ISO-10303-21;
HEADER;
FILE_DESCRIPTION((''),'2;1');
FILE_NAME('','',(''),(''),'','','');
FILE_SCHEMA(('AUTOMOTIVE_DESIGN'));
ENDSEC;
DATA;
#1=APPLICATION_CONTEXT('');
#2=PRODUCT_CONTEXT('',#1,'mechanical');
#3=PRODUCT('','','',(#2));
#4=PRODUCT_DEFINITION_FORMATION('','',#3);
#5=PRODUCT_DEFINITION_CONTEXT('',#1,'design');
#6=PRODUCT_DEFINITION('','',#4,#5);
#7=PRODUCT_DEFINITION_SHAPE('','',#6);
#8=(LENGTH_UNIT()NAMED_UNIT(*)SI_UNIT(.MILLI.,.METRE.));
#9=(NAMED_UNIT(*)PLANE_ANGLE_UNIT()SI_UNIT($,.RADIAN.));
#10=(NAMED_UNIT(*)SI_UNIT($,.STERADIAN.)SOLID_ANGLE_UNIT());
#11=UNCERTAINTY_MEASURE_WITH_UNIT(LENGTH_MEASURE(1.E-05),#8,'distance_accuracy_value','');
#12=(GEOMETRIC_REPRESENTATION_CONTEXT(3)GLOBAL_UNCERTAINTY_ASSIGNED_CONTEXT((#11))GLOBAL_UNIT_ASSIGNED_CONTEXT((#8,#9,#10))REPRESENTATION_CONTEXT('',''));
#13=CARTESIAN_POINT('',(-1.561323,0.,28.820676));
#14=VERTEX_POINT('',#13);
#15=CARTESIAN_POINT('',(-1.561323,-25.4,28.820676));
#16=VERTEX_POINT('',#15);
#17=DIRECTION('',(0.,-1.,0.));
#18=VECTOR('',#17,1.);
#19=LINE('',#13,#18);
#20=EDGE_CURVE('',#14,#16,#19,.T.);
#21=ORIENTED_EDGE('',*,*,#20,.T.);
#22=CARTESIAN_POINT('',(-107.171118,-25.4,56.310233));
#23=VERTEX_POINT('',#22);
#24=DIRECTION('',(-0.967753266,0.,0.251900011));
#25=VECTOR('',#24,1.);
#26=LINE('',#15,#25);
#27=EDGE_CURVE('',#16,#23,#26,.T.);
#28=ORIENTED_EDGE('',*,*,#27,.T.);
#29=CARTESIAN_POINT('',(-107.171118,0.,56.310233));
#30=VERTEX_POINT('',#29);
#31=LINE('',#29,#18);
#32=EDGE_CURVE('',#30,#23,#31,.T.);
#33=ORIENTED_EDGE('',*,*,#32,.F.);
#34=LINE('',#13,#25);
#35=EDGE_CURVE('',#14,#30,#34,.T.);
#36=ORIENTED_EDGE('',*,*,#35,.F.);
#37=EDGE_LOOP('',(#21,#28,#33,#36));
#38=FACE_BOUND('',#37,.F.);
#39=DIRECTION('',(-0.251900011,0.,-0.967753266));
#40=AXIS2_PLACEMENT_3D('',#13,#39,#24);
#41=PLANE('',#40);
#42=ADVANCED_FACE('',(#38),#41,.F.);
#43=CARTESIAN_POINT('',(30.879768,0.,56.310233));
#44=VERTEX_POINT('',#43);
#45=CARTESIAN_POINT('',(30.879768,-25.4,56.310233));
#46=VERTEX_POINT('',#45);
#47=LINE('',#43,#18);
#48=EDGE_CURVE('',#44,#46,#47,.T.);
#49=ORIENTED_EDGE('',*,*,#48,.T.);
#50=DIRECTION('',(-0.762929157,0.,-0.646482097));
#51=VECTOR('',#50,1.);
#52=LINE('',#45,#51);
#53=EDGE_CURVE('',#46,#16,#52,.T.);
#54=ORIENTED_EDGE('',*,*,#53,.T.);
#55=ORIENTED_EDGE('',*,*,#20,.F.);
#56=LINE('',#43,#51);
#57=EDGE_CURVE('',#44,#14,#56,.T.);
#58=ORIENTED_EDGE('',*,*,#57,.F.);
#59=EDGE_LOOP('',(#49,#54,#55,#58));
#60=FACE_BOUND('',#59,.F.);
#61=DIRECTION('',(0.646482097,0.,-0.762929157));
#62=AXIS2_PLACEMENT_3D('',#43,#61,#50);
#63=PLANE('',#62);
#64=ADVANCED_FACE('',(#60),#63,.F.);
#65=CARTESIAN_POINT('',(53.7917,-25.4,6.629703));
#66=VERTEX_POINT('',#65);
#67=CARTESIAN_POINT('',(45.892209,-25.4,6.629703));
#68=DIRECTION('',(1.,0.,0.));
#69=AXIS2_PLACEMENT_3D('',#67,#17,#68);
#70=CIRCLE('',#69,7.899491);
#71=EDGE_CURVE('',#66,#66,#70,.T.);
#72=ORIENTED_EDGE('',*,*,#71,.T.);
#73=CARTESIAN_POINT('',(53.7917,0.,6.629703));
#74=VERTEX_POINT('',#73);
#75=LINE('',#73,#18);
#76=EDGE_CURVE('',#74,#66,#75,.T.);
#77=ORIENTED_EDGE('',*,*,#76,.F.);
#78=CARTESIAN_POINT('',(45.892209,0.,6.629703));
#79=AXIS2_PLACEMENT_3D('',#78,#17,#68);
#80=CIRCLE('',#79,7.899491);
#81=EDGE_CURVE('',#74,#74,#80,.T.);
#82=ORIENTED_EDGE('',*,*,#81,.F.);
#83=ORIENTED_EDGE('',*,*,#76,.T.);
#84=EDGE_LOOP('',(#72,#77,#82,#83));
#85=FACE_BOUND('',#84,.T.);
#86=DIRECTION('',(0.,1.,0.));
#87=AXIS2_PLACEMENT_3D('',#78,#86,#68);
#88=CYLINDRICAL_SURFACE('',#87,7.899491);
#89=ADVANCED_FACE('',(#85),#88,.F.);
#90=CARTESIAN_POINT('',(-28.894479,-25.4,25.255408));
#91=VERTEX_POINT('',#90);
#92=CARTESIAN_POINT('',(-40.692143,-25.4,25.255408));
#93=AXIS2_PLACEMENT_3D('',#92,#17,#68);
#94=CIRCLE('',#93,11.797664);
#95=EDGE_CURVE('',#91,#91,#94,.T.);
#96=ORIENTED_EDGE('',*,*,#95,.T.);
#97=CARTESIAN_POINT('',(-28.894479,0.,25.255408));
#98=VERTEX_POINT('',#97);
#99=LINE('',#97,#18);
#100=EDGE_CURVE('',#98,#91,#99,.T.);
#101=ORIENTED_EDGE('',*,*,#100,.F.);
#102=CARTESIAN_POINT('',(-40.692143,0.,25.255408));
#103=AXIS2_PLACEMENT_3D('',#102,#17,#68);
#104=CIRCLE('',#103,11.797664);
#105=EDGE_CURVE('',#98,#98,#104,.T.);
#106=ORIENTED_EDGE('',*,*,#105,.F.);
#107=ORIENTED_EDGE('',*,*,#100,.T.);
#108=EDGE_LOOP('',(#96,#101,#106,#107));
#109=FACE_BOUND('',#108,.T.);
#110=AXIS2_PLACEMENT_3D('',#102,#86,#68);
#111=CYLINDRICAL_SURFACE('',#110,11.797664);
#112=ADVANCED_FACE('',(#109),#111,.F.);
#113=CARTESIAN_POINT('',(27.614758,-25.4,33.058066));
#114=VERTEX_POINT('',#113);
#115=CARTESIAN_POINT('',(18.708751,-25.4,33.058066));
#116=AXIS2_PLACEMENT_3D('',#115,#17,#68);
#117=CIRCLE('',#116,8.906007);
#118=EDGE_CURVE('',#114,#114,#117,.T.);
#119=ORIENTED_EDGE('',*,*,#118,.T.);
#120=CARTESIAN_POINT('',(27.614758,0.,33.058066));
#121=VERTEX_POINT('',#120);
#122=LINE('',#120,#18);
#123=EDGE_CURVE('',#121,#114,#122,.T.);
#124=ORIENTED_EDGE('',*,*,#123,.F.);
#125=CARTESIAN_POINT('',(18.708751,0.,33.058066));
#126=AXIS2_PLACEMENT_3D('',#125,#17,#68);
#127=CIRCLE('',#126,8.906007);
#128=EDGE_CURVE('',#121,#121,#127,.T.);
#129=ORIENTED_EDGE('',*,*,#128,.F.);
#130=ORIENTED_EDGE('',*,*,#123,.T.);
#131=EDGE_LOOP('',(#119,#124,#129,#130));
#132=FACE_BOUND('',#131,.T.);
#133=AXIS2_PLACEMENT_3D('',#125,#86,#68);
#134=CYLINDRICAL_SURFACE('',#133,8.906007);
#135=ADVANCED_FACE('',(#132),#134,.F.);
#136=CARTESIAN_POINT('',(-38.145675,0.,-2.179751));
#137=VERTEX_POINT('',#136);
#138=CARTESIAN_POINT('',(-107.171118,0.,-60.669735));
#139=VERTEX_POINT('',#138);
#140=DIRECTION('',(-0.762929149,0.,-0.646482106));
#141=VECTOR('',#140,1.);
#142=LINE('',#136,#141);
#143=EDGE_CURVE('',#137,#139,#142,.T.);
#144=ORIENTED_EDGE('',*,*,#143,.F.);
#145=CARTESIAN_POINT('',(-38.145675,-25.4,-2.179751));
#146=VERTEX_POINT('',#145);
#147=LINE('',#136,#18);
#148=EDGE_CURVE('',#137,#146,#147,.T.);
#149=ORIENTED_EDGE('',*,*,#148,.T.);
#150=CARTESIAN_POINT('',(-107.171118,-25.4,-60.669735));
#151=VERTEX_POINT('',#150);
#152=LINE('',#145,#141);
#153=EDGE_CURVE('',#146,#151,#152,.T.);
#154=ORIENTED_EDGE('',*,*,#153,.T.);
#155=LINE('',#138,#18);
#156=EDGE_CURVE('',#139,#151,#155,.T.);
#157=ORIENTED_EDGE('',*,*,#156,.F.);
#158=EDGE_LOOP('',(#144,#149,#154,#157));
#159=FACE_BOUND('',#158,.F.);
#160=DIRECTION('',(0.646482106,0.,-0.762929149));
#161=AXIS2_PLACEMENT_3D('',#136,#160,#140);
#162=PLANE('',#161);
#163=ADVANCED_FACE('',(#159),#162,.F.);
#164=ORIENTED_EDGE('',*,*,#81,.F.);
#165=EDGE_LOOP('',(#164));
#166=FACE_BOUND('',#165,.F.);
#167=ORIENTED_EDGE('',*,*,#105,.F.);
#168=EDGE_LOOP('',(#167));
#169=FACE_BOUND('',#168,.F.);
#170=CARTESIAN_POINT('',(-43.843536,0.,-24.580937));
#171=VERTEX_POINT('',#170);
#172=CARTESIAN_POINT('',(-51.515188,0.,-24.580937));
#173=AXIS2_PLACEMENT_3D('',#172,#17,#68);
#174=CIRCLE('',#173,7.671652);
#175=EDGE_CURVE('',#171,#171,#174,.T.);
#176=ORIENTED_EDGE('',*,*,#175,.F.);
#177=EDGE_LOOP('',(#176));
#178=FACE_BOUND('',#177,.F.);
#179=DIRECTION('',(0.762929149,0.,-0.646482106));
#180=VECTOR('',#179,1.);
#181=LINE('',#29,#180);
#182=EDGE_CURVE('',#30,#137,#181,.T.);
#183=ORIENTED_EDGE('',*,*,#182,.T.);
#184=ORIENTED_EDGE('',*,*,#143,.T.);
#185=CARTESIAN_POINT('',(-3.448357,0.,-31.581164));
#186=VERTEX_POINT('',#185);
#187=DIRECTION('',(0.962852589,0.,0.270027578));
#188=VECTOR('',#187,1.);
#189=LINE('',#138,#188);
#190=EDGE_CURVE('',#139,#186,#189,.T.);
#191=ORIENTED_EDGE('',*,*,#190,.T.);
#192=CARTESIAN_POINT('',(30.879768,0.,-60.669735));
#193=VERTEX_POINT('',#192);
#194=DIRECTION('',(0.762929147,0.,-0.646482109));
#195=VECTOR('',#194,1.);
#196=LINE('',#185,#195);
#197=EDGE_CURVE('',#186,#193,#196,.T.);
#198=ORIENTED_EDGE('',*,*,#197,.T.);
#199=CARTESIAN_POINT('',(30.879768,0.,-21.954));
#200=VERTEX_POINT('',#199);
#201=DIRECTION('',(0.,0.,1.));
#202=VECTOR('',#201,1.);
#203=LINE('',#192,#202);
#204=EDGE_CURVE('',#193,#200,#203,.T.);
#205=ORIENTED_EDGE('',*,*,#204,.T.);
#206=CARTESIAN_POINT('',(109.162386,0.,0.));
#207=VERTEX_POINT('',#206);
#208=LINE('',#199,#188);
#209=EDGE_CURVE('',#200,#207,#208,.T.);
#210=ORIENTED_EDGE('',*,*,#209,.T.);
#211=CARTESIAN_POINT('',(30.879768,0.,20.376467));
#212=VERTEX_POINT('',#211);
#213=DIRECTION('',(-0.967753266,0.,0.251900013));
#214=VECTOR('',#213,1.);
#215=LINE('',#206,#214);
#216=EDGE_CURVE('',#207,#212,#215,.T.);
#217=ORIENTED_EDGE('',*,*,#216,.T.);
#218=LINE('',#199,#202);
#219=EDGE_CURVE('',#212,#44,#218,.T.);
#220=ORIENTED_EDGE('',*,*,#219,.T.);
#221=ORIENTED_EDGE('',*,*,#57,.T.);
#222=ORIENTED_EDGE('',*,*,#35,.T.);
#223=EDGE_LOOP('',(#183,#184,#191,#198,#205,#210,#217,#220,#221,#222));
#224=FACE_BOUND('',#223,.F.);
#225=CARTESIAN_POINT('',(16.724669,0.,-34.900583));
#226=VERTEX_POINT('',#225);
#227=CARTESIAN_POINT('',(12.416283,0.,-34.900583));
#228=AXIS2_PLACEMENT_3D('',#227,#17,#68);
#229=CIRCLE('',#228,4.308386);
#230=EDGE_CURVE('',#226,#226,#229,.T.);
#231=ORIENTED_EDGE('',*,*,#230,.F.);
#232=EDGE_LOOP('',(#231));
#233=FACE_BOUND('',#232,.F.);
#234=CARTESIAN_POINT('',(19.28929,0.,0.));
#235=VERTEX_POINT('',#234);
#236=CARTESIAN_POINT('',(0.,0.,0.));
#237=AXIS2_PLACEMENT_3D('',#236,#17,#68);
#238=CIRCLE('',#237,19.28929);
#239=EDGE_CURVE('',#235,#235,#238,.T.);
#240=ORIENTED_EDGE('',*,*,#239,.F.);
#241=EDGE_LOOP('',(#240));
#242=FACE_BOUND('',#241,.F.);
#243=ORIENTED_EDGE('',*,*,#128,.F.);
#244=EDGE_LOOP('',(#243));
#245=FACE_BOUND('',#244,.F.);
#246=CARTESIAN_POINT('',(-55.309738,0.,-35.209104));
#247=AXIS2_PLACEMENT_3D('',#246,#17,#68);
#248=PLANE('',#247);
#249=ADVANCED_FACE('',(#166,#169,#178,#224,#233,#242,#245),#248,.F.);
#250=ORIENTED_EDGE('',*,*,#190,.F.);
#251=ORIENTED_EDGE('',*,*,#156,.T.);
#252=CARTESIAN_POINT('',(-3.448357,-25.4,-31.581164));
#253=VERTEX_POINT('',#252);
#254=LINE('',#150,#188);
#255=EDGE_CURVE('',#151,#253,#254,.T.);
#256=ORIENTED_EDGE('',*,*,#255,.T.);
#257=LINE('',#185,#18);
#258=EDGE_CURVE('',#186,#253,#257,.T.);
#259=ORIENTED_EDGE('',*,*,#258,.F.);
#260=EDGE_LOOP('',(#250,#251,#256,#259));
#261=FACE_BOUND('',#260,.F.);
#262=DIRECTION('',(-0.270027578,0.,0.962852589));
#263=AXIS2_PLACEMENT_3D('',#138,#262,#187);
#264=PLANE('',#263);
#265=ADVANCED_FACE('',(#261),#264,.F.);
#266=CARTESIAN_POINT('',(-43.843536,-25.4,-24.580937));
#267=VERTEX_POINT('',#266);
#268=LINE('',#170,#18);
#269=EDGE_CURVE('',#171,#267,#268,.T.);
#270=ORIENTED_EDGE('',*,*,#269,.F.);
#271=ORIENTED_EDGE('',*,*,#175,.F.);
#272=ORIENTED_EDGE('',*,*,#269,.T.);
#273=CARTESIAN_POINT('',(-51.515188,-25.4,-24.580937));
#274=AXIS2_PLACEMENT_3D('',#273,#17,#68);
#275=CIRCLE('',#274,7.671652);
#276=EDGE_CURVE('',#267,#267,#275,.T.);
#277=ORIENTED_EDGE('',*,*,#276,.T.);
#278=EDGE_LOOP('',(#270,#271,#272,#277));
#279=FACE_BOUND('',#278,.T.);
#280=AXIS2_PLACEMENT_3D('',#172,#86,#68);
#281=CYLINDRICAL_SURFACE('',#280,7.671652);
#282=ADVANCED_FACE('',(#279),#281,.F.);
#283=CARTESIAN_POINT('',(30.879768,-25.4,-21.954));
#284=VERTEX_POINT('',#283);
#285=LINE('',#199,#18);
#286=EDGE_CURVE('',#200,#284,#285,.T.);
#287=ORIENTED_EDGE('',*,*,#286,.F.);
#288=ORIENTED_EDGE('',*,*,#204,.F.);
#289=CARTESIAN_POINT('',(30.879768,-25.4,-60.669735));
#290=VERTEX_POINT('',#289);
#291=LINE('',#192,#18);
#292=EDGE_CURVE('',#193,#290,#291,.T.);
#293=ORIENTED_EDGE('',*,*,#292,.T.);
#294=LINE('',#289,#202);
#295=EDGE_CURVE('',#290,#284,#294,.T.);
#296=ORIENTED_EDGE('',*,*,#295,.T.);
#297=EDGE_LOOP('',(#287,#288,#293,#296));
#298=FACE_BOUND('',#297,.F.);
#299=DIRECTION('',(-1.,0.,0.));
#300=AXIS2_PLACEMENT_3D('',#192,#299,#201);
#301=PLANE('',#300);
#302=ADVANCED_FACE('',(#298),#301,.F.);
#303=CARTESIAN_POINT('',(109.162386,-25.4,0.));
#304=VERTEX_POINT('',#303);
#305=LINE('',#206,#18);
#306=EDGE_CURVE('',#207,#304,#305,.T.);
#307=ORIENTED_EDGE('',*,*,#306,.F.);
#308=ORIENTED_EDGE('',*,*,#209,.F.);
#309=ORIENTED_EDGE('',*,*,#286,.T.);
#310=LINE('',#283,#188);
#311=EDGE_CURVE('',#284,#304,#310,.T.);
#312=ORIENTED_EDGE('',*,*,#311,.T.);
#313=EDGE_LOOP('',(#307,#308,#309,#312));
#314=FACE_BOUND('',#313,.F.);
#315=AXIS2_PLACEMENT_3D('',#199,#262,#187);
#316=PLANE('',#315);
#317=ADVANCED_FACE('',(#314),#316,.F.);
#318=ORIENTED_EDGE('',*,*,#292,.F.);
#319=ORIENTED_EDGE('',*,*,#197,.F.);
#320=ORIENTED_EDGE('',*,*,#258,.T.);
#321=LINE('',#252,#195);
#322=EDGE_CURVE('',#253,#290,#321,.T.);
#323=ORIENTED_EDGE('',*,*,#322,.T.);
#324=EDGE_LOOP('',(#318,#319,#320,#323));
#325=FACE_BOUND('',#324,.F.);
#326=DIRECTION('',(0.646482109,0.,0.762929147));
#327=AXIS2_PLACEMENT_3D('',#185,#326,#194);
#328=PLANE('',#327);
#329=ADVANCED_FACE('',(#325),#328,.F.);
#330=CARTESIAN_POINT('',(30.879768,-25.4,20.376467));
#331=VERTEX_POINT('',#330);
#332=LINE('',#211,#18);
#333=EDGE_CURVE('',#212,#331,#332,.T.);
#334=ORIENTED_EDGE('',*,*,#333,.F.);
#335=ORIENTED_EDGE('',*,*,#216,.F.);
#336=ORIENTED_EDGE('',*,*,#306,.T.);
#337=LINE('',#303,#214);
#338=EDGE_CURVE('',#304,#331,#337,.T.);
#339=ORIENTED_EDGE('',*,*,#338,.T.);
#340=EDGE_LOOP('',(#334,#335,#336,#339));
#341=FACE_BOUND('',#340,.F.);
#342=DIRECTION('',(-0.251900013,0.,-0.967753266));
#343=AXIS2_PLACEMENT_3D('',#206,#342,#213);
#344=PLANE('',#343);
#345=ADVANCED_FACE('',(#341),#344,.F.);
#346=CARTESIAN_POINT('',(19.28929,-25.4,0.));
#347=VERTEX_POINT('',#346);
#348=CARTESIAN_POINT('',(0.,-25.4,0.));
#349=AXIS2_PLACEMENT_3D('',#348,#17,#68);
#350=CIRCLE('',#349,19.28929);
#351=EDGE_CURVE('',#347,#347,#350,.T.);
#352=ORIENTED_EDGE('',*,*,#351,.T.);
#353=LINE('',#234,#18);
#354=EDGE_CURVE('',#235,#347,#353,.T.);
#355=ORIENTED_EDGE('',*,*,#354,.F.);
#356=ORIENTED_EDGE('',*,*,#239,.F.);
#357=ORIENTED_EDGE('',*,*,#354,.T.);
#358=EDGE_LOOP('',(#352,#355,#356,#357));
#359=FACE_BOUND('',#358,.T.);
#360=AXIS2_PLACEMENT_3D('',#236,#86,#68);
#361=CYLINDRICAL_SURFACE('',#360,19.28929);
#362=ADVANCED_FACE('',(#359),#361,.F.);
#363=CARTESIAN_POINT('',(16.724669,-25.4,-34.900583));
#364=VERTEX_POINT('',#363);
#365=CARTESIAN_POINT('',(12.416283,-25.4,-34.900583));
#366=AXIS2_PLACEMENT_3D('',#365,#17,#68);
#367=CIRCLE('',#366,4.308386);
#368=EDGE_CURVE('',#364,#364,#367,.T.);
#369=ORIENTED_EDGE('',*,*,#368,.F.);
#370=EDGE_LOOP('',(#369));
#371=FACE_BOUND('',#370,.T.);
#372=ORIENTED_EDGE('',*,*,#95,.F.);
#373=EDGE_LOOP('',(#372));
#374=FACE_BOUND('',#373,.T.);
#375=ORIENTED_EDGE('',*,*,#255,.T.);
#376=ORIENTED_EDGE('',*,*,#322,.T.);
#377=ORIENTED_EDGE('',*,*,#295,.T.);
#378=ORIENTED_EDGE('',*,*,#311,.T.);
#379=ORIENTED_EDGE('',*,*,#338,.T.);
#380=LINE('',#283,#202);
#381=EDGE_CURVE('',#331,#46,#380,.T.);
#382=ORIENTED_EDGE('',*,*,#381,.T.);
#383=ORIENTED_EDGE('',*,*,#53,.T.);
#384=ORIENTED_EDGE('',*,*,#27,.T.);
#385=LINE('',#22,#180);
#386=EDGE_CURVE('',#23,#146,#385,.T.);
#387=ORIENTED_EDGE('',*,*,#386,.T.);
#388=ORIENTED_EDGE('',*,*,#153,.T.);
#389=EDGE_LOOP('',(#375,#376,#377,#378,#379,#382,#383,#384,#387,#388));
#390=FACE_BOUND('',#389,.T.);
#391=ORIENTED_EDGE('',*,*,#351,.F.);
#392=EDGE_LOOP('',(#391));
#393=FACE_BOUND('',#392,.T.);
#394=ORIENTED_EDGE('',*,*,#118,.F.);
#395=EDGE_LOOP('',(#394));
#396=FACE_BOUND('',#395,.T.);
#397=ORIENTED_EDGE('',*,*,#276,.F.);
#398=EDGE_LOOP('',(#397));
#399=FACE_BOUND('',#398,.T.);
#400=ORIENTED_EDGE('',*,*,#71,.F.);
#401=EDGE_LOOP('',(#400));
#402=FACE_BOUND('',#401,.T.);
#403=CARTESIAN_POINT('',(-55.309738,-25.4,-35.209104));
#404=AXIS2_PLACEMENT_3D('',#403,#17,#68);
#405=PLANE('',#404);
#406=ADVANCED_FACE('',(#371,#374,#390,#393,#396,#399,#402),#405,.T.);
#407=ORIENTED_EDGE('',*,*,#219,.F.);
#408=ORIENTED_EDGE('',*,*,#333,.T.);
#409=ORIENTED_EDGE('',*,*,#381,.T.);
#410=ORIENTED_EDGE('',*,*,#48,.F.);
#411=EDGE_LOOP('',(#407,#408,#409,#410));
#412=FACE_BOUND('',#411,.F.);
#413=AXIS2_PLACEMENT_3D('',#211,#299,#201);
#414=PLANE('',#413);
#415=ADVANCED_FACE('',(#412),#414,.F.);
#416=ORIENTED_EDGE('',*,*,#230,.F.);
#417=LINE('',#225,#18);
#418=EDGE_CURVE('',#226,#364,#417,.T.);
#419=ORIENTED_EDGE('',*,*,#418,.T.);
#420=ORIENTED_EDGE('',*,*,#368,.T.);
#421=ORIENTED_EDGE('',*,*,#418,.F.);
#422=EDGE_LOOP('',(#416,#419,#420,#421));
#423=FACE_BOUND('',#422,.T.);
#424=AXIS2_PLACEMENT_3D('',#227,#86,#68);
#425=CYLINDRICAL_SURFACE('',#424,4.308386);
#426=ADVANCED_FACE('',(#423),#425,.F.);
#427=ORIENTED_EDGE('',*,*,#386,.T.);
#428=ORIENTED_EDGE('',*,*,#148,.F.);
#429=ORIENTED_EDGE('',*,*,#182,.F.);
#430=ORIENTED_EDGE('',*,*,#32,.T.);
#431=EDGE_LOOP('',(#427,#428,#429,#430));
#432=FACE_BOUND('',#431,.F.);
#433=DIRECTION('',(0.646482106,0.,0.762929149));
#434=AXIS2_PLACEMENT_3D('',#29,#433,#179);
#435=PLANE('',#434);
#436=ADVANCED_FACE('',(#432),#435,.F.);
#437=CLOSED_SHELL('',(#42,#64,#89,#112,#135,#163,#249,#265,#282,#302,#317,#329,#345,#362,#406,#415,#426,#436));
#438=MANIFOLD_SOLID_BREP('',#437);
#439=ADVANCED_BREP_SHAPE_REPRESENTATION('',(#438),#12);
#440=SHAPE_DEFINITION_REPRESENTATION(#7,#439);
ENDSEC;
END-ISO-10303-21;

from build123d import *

# Parameters (mm, degrees)
F0_R     = 7.671652
F0_R_2   = 11.797664
F0_R_3   = 19.28929
F0_R_4   = 8.906007
F0_R_5   = 7.899491
F0_R_6   = 4.308386
F1_DEPTH = 25.4


with BuildPart() as f1:
    # F0 (on Front) → F1 (new body)
    with BuildSketch(Plane.XZ):
        Polygon((-38.145675, -2.179751), (-107.171118, -60.669735), (-3.448357, -31.581164), align=None)
        with Locations((-51.515188, -24.580937)):
            Circle(F0_R, mode=Mode.SUBTRACT)
        Polygon((-1.561323, 28.820676), (-107.171118, 56.310233), (-38.145675, -2.179751), align=None)
        with Locations((-40.692143, 25.255408)):
            Circle(F0_R_2, mode=Mode.SUBTRACT)
        Polygon((-38.145675, -2.179751), (-3.448357, -31.581164), (30.879768, -21.954), (30.879768, 20.376467), (-1.561323, 28.820676), align=None)
        Circle(F0_R_3, mode=Mode.SUBTRACT)
        Polygon((-1.561323, 28.820676), (30.879768, 20.376467), (30.879768, 56.310233), align=None)
        with Locations((18.708751, 33.058066)):
            Circle(F0_R_4, mode=Mode.SUBTRACT)
        Polygon((30.879768, -21.954), (109.162386, 0), (30.879768, 20.376467), align=None)
        with Locations((45.892209, 6.629703)):
            Circle(F0_R_5, mode=Mode.SUBTRACT)
        Polygon((-3.448357, -31.581164), (30.879768, -60.669735), (30.879768, -21.954), align=None)
        with Locations((12.416283, -34.900583)):
            Circle(F0_R_6, mode=Mode.SUBTRACT)
    extrude(amount=F1_DEPTH)


solid = f1.part
